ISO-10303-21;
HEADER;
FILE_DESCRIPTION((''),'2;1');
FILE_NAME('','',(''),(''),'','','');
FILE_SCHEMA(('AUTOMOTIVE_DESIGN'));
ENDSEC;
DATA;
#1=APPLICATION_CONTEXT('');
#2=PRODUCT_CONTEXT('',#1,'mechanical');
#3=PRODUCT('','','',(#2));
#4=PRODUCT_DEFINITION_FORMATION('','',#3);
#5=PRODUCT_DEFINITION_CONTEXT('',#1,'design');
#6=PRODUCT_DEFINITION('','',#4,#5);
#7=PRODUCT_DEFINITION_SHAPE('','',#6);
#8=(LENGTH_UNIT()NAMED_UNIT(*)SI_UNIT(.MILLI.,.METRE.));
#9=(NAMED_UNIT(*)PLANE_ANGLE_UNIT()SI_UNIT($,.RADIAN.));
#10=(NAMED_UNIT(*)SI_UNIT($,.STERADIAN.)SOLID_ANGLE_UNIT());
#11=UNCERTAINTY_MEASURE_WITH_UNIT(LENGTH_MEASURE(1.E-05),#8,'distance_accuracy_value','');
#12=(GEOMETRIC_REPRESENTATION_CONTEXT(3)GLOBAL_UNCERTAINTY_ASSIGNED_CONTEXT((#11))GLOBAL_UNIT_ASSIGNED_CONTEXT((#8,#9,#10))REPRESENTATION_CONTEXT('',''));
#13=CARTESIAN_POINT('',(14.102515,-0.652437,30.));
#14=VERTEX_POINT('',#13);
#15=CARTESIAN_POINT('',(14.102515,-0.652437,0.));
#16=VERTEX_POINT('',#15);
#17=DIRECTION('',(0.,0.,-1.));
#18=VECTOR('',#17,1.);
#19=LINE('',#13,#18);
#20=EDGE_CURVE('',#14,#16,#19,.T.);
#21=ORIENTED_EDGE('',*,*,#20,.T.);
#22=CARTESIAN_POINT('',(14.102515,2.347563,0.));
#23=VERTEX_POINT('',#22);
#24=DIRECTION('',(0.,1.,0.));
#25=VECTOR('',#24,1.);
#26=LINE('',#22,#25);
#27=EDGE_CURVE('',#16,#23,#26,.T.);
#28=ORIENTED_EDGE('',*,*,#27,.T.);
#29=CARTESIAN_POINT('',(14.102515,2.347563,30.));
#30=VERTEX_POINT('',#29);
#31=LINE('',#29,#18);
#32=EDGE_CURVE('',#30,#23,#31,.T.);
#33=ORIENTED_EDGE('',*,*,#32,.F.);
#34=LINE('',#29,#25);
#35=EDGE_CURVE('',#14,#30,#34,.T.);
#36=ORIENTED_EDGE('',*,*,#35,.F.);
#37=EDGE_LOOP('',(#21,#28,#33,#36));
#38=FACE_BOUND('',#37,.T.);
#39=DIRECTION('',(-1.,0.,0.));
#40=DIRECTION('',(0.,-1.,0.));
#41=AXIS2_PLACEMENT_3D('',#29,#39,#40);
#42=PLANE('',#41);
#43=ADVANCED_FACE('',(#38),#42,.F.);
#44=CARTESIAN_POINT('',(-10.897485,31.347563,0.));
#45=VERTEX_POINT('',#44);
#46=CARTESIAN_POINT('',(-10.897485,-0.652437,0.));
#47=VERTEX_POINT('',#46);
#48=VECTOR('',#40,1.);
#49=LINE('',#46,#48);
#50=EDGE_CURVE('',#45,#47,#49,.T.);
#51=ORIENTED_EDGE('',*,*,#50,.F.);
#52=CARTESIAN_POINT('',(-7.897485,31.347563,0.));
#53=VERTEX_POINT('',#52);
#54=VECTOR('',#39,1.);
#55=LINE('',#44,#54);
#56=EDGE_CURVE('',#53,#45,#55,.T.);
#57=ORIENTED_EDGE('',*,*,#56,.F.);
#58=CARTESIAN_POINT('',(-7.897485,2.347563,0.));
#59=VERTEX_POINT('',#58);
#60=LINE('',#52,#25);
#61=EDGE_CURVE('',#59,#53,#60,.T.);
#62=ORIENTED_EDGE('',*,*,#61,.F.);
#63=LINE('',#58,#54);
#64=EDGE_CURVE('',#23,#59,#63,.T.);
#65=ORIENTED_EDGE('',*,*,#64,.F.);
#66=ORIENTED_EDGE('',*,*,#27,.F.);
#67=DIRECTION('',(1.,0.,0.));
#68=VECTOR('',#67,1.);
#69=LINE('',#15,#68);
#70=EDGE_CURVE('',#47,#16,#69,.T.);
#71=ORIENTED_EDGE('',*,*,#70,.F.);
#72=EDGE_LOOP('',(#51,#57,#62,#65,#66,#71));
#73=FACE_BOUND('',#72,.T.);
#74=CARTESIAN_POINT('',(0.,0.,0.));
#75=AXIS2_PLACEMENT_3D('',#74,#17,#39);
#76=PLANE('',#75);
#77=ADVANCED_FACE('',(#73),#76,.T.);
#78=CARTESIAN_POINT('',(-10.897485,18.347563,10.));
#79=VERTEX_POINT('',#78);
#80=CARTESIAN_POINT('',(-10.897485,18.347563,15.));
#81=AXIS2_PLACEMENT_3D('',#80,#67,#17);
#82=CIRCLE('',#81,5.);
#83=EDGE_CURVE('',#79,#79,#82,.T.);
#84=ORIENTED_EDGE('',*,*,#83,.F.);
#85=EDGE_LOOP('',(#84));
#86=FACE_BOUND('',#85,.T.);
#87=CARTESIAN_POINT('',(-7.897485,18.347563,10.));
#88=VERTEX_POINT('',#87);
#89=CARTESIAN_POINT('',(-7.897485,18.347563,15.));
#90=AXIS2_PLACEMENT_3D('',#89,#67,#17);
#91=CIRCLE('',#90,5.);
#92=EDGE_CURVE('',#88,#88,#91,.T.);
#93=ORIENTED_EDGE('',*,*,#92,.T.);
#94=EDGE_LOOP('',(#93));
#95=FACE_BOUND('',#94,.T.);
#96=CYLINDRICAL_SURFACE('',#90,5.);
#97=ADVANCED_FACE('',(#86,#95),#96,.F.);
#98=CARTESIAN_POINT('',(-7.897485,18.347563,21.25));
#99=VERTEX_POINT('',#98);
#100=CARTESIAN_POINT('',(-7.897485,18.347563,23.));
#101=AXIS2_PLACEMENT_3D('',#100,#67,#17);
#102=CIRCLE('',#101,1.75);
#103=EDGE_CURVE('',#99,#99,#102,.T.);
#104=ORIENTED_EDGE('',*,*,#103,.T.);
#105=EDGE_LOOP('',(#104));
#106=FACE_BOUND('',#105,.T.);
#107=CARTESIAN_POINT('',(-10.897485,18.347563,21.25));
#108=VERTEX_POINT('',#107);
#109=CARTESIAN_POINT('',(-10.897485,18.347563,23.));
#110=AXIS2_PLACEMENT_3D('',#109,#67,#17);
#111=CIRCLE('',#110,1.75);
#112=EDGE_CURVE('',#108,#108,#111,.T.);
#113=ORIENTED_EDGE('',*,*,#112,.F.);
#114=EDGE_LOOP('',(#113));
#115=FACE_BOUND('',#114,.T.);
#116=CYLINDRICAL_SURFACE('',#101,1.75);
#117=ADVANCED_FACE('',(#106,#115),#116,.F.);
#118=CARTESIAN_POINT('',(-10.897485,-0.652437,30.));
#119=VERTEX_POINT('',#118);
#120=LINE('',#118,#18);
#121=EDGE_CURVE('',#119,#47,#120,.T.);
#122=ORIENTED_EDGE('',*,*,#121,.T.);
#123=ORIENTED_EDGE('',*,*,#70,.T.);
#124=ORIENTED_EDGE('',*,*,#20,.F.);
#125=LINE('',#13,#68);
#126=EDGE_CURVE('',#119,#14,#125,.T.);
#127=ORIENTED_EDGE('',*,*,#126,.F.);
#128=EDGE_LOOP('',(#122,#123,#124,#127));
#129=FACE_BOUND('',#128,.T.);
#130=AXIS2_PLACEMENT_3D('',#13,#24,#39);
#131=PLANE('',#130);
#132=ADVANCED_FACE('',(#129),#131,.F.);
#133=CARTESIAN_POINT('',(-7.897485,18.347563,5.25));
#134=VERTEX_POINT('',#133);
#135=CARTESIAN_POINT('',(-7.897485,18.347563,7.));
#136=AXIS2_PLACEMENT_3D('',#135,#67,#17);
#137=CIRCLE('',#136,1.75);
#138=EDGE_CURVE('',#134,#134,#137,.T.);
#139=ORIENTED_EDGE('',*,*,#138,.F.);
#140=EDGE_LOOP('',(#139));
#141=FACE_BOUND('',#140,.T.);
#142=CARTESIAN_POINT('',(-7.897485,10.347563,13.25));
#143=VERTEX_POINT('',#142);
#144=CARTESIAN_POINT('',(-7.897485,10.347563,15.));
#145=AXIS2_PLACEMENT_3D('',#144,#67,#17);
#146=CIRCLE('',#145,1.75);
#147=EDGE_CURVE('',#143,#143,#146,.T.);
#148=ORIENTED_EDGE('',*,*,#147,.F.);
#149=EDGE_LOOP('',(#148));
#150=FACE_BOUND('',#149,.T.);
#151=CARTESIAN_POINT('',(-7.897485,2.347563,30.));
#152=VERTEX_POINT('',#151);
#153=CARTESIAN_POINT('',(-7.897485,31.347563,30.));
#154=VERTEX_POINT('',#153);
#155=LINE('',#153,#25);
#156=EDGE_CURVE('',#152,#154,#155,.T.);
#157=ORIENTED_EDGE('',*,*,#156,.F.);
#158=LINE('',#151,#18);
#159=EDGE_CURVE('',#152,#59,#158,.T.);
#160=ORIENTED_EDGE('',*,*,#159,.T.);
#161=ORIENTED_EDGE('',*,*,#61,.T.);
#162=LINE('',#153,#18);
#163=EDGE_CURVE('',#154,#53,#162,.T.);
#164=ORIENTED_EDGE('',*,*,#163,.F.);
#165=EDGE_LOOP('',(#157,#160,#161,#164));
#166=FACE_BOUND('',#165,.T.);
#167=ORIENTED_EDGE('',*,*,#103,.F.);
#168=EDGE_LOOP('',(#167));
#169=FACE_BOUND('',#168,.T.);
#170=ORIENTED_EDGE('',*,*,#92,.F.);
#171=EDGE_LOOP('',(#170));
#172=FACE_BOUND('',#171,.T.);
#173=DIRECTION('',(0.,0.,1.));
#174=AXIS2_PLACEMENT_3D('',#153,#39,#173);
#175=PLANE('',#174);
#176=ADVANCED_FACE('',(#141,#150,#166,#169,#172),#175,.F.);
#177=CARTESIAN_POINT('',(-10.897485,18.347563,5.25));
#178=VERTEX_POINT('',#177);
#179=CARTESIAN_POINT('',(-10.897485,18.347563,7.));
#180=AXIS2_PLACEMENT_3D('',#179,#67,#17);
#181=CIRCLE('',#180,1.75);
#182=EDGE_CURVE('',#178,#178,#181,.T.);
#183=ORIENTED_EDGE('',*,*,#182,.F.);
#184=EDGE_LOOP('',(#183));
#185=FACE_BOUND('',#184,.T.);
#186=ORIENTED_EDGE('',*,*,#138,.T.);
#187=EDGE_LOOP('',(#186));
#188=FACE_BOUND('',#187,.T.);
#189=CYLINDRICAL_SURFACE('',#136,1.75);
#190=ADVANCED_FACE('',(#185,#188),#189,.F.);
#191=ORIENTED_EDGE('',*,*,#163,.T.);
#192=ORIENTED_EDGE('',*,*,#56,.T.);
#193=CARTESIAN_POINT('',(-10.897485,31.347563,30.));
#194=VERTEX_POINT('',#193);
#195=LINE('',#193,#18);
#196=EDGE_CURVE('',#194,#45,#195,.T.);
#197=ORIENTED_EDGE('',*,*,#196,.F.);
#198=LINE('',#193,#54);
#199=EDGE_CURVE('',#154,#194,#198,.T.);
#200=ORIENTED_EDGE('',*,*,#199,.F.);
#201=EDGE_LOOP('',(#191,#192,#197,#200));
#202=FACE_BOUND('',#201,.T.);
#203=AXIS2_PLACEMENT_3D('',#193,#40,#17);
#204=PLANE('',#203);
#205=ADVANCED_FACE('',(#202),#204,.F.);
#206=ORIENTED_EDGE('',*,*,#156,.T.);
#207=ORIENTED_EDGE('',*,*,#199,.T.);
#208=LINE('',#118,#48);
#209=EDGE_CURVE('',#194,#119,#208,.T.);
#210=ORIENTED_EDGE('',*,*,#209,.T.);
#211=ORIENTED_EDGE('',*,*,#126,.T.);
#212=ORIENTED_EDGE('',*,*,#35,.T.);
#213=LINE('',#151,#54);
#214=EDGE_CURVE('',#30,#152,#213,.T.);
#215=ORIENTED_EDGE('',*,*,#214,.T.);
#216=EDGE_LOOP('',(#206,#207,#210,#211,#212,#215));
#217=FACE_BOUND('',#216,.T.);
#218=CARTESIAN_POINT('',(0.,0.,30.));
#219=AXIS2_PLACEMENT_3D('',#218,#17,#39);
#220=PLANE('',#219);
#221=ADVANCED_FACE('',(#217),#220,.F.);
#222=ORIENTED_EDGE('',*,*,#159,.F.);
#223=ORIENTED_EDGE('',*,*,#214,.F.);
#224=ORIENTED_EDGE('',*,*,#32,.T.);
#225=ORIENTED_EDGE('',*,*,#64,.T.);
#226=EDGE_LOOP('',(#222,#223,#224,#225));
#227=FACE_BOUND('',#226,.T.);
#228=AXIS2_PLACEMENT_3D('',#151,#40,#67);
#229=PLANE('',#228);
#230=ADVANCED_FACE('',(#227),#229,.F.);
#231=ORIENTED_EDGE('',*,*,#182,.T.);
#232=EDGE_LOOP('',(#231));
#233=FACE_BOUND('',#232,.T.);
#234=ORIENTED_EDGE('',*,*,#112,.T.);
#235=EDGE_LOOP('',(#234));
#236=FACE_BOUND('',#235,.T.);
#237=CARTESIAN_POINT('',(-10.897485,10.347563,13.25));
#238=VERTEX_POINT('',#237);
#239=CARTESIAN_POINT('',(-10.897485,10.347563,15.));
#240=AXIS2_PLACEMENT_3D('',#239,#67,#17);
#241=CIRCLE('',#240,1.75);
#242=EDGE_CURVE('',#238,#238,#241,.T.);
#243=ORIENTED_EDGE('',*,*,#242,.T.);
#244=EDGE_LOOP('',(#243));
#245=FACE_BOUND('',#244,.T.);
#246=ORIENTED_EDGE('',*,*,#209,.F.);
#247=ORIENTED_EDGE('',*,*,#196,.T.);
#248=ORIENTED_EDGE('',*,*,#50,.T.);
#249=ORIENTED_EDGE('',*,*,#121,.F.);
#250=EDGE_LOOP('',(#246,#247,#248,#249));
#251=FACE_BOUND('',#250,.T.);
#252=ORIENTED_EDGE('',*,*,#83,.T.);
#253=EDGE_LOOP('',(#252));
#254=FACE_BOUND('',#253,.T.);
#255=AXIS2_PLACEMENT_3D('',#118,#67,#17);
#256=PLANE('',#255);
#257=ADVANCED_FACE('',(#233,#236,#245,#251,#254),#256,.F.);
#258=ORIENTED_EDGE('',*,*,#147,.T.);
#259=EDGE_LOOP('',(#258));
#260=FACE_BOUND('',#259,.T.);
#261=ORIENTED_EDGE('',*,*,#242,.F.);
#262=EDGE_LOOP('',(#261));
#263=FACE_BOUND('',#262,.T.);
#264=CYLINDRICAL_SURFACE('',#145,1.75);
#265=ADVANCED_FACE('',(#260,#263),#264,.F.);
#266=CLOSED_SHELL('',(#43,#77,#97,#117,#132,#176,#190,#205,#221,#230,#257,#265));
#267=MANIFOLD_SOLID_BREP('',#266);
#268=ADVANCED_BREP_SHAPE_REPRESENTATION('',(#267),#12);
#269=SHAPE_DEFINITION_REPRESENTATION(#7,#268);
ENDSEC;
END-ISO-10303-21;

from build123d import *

# Parameters (mm, degrees)
BOSS_EXTRUDE1_DEPTH            = 30
HOLE_FOR_M5_300_SC_NUTS_SP_1_D = 10
HOLE_FOR_M5_300_SC_NUTS_SP_2_D = 3.5


with BuildPart() as part:
    # Sketch1 → Boss-Extrude1 (new body)
    with BuildSketch(Plane.XY):
        Polygon((-7.897485035, 31.347562808), (-7.897485035, 2.347562808), (14.102514965, 2.347562808), (14.102514965, -0.652437192), (-10.897485035, -0.652437192), (-10.897485035, 31.347562808), align=None)
    extrude(amount=BOSS_EXTRUDE1_DEPTH)

    # Hole for M5 300® SC Nuts (SP)1 (through all)
    with Locations(Plane(origin=(-7.897485035, 0, 0), x_dir=(0, 0, -1), z_dir=(1, 0, 0))):
        with Locations((-15, 18.347562808)):
            Hole(HOLE_FOR_M5_300_SC_NUTS_SP_1_D / 2)

    # Hole for M5 300® SC Nuts (SP)2 (through all)
    with Locations(Plane(origin=(-7.897485035, 0, 0), x_dir=(0, 0, -1), z_dir=(1, 0, 0))):
        with Locations((-7, 18.347562808), (-23, 18.347562808), (-15, 10.347562808)):
            Hole(HOLE_FOR_M5_300_SC_NUTS_SP_2_D / 2)


solid = part.part
